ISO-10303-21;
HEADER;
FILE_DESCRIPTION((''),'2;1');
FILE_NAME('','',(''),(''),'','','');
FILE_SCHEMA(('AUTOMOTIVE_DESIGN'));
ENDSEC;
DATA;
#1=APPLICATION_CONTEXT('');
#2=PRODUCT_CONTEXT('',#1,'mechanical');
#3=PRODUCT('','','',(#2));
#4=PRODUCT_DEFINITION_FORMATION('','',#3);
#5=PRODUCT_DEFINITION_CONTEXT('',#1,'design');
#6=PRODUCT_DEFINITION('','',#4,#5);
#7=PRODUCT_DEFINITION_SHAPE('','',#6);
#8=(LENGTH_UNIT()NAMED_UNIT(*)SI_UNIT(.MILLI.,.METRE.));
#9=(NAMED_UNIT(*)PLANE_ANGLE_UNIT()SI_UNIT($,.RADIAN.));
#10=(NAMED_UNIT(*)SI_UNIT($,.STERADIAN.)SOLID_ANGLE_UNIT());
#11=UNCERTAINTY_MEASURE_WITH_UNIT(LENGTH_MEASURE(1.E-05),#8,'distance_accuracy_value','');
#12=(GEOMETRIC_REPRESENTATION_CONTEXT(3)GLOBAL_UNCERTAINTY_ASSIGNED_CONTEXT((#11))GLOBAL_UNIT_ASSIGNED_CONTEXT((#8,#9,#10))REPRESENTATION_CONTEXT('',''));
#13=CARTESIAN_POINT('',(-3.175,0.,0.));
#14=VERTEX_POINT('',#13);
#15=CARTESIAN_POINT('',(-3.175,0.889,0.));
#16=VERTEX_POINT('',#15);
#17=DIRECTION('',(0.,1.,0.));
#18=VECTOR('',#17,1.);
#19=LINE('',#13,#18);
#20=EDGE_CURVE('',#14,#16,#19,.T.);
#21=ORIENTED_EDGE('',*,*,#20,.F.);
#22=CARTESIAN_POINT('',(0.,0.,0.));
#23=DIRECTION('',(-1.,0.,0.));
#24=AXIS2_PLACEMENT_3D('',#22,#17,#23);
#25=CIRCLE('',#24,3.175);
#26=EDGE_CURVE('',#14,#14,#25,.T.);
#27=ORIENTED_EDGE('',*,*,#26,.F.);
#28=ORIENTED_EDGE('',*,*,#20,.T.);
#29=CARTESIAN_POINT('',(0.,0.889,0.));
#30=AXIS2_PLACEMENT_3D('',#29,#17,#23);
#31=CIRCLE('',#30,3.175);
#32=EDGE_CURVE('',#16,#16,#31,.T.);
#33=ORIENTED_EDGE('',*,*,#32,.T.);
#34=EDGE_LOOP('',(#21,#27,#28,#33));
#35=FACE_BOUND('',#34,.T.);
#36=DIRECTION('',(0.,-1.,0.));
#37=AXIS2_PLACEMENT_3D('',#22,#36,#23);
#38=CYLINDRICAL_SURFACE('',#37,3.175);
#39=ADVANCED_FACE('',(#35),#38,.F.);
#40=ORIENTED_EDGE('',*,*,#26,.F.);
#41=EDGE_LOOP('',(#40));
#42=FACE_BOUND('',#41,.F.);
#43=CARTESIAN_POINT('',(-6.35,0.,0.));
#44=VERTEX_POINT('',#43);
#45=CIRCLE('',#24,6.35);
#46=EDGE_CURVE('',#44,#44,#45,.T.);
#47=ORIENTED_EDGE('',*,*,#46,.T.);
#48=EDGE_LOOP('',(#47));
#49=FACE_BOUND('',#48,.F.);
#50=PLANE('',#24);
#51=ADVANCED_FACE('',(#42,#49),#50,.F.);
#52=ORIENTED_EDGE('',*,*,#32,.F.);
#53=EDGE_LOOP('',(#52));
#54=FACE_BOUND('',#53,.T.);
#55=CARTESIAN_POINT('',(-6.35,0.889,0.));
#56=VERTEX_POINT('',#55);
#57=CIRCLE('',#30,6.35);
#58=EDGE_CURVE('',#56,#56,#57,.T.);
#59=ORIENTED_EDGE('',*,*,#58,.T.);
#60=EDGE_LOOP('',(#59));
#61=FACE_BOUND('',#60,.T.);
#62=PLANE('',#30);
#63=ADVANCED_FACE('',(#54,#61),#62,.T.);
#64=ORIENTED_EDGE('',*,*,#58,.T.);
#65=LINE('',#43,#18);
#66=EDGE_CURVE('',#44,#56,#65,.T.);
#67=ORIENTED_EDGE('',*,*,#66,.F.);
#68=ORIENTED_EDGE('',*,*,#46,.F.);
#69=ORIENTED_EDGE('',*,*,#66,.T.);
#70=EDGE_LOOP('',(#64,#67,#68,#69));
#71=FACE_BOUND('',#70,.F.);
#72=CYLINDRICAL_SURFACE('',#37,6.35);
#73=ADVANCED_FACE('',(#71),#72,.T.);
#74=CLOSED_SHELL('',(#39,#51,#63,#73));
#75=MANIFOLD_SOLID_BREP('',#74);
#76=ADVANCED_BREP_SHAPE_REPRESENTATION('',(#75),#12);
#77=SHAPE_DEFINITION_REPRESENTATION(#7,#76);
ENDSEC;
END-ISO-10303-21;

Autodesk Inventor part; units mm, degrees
ref_plane "YZ Plane" through (0, 0, 0) normal (1, 0, 0) x (0, 1, 0)
ref_plane "XZ Plane" through (0, 0, 0) normal (0, 1, 0) x (-1, 0, 0)
ref_plane "XY Plane" through (0, 0, 0) normal (0, 0, 1) x (1, 0, 0)
sketch "Sketch1" plane through (0, 0, 0) normal (0, 1, 0) x (-1, 0, 0)
  circle A0 centre (0, 0) radius 3.175
  circle A1 centre (0, 0) radius 6.35
  dimension "d0" = 6.35
  dimension "d1" = 12.7
extrude "Extrusion1" add sketch "Sketch1" along normal blind 0.889
properties part number "2AM-17-P-5206 - spacer 035" material "Aluminum 6061"
